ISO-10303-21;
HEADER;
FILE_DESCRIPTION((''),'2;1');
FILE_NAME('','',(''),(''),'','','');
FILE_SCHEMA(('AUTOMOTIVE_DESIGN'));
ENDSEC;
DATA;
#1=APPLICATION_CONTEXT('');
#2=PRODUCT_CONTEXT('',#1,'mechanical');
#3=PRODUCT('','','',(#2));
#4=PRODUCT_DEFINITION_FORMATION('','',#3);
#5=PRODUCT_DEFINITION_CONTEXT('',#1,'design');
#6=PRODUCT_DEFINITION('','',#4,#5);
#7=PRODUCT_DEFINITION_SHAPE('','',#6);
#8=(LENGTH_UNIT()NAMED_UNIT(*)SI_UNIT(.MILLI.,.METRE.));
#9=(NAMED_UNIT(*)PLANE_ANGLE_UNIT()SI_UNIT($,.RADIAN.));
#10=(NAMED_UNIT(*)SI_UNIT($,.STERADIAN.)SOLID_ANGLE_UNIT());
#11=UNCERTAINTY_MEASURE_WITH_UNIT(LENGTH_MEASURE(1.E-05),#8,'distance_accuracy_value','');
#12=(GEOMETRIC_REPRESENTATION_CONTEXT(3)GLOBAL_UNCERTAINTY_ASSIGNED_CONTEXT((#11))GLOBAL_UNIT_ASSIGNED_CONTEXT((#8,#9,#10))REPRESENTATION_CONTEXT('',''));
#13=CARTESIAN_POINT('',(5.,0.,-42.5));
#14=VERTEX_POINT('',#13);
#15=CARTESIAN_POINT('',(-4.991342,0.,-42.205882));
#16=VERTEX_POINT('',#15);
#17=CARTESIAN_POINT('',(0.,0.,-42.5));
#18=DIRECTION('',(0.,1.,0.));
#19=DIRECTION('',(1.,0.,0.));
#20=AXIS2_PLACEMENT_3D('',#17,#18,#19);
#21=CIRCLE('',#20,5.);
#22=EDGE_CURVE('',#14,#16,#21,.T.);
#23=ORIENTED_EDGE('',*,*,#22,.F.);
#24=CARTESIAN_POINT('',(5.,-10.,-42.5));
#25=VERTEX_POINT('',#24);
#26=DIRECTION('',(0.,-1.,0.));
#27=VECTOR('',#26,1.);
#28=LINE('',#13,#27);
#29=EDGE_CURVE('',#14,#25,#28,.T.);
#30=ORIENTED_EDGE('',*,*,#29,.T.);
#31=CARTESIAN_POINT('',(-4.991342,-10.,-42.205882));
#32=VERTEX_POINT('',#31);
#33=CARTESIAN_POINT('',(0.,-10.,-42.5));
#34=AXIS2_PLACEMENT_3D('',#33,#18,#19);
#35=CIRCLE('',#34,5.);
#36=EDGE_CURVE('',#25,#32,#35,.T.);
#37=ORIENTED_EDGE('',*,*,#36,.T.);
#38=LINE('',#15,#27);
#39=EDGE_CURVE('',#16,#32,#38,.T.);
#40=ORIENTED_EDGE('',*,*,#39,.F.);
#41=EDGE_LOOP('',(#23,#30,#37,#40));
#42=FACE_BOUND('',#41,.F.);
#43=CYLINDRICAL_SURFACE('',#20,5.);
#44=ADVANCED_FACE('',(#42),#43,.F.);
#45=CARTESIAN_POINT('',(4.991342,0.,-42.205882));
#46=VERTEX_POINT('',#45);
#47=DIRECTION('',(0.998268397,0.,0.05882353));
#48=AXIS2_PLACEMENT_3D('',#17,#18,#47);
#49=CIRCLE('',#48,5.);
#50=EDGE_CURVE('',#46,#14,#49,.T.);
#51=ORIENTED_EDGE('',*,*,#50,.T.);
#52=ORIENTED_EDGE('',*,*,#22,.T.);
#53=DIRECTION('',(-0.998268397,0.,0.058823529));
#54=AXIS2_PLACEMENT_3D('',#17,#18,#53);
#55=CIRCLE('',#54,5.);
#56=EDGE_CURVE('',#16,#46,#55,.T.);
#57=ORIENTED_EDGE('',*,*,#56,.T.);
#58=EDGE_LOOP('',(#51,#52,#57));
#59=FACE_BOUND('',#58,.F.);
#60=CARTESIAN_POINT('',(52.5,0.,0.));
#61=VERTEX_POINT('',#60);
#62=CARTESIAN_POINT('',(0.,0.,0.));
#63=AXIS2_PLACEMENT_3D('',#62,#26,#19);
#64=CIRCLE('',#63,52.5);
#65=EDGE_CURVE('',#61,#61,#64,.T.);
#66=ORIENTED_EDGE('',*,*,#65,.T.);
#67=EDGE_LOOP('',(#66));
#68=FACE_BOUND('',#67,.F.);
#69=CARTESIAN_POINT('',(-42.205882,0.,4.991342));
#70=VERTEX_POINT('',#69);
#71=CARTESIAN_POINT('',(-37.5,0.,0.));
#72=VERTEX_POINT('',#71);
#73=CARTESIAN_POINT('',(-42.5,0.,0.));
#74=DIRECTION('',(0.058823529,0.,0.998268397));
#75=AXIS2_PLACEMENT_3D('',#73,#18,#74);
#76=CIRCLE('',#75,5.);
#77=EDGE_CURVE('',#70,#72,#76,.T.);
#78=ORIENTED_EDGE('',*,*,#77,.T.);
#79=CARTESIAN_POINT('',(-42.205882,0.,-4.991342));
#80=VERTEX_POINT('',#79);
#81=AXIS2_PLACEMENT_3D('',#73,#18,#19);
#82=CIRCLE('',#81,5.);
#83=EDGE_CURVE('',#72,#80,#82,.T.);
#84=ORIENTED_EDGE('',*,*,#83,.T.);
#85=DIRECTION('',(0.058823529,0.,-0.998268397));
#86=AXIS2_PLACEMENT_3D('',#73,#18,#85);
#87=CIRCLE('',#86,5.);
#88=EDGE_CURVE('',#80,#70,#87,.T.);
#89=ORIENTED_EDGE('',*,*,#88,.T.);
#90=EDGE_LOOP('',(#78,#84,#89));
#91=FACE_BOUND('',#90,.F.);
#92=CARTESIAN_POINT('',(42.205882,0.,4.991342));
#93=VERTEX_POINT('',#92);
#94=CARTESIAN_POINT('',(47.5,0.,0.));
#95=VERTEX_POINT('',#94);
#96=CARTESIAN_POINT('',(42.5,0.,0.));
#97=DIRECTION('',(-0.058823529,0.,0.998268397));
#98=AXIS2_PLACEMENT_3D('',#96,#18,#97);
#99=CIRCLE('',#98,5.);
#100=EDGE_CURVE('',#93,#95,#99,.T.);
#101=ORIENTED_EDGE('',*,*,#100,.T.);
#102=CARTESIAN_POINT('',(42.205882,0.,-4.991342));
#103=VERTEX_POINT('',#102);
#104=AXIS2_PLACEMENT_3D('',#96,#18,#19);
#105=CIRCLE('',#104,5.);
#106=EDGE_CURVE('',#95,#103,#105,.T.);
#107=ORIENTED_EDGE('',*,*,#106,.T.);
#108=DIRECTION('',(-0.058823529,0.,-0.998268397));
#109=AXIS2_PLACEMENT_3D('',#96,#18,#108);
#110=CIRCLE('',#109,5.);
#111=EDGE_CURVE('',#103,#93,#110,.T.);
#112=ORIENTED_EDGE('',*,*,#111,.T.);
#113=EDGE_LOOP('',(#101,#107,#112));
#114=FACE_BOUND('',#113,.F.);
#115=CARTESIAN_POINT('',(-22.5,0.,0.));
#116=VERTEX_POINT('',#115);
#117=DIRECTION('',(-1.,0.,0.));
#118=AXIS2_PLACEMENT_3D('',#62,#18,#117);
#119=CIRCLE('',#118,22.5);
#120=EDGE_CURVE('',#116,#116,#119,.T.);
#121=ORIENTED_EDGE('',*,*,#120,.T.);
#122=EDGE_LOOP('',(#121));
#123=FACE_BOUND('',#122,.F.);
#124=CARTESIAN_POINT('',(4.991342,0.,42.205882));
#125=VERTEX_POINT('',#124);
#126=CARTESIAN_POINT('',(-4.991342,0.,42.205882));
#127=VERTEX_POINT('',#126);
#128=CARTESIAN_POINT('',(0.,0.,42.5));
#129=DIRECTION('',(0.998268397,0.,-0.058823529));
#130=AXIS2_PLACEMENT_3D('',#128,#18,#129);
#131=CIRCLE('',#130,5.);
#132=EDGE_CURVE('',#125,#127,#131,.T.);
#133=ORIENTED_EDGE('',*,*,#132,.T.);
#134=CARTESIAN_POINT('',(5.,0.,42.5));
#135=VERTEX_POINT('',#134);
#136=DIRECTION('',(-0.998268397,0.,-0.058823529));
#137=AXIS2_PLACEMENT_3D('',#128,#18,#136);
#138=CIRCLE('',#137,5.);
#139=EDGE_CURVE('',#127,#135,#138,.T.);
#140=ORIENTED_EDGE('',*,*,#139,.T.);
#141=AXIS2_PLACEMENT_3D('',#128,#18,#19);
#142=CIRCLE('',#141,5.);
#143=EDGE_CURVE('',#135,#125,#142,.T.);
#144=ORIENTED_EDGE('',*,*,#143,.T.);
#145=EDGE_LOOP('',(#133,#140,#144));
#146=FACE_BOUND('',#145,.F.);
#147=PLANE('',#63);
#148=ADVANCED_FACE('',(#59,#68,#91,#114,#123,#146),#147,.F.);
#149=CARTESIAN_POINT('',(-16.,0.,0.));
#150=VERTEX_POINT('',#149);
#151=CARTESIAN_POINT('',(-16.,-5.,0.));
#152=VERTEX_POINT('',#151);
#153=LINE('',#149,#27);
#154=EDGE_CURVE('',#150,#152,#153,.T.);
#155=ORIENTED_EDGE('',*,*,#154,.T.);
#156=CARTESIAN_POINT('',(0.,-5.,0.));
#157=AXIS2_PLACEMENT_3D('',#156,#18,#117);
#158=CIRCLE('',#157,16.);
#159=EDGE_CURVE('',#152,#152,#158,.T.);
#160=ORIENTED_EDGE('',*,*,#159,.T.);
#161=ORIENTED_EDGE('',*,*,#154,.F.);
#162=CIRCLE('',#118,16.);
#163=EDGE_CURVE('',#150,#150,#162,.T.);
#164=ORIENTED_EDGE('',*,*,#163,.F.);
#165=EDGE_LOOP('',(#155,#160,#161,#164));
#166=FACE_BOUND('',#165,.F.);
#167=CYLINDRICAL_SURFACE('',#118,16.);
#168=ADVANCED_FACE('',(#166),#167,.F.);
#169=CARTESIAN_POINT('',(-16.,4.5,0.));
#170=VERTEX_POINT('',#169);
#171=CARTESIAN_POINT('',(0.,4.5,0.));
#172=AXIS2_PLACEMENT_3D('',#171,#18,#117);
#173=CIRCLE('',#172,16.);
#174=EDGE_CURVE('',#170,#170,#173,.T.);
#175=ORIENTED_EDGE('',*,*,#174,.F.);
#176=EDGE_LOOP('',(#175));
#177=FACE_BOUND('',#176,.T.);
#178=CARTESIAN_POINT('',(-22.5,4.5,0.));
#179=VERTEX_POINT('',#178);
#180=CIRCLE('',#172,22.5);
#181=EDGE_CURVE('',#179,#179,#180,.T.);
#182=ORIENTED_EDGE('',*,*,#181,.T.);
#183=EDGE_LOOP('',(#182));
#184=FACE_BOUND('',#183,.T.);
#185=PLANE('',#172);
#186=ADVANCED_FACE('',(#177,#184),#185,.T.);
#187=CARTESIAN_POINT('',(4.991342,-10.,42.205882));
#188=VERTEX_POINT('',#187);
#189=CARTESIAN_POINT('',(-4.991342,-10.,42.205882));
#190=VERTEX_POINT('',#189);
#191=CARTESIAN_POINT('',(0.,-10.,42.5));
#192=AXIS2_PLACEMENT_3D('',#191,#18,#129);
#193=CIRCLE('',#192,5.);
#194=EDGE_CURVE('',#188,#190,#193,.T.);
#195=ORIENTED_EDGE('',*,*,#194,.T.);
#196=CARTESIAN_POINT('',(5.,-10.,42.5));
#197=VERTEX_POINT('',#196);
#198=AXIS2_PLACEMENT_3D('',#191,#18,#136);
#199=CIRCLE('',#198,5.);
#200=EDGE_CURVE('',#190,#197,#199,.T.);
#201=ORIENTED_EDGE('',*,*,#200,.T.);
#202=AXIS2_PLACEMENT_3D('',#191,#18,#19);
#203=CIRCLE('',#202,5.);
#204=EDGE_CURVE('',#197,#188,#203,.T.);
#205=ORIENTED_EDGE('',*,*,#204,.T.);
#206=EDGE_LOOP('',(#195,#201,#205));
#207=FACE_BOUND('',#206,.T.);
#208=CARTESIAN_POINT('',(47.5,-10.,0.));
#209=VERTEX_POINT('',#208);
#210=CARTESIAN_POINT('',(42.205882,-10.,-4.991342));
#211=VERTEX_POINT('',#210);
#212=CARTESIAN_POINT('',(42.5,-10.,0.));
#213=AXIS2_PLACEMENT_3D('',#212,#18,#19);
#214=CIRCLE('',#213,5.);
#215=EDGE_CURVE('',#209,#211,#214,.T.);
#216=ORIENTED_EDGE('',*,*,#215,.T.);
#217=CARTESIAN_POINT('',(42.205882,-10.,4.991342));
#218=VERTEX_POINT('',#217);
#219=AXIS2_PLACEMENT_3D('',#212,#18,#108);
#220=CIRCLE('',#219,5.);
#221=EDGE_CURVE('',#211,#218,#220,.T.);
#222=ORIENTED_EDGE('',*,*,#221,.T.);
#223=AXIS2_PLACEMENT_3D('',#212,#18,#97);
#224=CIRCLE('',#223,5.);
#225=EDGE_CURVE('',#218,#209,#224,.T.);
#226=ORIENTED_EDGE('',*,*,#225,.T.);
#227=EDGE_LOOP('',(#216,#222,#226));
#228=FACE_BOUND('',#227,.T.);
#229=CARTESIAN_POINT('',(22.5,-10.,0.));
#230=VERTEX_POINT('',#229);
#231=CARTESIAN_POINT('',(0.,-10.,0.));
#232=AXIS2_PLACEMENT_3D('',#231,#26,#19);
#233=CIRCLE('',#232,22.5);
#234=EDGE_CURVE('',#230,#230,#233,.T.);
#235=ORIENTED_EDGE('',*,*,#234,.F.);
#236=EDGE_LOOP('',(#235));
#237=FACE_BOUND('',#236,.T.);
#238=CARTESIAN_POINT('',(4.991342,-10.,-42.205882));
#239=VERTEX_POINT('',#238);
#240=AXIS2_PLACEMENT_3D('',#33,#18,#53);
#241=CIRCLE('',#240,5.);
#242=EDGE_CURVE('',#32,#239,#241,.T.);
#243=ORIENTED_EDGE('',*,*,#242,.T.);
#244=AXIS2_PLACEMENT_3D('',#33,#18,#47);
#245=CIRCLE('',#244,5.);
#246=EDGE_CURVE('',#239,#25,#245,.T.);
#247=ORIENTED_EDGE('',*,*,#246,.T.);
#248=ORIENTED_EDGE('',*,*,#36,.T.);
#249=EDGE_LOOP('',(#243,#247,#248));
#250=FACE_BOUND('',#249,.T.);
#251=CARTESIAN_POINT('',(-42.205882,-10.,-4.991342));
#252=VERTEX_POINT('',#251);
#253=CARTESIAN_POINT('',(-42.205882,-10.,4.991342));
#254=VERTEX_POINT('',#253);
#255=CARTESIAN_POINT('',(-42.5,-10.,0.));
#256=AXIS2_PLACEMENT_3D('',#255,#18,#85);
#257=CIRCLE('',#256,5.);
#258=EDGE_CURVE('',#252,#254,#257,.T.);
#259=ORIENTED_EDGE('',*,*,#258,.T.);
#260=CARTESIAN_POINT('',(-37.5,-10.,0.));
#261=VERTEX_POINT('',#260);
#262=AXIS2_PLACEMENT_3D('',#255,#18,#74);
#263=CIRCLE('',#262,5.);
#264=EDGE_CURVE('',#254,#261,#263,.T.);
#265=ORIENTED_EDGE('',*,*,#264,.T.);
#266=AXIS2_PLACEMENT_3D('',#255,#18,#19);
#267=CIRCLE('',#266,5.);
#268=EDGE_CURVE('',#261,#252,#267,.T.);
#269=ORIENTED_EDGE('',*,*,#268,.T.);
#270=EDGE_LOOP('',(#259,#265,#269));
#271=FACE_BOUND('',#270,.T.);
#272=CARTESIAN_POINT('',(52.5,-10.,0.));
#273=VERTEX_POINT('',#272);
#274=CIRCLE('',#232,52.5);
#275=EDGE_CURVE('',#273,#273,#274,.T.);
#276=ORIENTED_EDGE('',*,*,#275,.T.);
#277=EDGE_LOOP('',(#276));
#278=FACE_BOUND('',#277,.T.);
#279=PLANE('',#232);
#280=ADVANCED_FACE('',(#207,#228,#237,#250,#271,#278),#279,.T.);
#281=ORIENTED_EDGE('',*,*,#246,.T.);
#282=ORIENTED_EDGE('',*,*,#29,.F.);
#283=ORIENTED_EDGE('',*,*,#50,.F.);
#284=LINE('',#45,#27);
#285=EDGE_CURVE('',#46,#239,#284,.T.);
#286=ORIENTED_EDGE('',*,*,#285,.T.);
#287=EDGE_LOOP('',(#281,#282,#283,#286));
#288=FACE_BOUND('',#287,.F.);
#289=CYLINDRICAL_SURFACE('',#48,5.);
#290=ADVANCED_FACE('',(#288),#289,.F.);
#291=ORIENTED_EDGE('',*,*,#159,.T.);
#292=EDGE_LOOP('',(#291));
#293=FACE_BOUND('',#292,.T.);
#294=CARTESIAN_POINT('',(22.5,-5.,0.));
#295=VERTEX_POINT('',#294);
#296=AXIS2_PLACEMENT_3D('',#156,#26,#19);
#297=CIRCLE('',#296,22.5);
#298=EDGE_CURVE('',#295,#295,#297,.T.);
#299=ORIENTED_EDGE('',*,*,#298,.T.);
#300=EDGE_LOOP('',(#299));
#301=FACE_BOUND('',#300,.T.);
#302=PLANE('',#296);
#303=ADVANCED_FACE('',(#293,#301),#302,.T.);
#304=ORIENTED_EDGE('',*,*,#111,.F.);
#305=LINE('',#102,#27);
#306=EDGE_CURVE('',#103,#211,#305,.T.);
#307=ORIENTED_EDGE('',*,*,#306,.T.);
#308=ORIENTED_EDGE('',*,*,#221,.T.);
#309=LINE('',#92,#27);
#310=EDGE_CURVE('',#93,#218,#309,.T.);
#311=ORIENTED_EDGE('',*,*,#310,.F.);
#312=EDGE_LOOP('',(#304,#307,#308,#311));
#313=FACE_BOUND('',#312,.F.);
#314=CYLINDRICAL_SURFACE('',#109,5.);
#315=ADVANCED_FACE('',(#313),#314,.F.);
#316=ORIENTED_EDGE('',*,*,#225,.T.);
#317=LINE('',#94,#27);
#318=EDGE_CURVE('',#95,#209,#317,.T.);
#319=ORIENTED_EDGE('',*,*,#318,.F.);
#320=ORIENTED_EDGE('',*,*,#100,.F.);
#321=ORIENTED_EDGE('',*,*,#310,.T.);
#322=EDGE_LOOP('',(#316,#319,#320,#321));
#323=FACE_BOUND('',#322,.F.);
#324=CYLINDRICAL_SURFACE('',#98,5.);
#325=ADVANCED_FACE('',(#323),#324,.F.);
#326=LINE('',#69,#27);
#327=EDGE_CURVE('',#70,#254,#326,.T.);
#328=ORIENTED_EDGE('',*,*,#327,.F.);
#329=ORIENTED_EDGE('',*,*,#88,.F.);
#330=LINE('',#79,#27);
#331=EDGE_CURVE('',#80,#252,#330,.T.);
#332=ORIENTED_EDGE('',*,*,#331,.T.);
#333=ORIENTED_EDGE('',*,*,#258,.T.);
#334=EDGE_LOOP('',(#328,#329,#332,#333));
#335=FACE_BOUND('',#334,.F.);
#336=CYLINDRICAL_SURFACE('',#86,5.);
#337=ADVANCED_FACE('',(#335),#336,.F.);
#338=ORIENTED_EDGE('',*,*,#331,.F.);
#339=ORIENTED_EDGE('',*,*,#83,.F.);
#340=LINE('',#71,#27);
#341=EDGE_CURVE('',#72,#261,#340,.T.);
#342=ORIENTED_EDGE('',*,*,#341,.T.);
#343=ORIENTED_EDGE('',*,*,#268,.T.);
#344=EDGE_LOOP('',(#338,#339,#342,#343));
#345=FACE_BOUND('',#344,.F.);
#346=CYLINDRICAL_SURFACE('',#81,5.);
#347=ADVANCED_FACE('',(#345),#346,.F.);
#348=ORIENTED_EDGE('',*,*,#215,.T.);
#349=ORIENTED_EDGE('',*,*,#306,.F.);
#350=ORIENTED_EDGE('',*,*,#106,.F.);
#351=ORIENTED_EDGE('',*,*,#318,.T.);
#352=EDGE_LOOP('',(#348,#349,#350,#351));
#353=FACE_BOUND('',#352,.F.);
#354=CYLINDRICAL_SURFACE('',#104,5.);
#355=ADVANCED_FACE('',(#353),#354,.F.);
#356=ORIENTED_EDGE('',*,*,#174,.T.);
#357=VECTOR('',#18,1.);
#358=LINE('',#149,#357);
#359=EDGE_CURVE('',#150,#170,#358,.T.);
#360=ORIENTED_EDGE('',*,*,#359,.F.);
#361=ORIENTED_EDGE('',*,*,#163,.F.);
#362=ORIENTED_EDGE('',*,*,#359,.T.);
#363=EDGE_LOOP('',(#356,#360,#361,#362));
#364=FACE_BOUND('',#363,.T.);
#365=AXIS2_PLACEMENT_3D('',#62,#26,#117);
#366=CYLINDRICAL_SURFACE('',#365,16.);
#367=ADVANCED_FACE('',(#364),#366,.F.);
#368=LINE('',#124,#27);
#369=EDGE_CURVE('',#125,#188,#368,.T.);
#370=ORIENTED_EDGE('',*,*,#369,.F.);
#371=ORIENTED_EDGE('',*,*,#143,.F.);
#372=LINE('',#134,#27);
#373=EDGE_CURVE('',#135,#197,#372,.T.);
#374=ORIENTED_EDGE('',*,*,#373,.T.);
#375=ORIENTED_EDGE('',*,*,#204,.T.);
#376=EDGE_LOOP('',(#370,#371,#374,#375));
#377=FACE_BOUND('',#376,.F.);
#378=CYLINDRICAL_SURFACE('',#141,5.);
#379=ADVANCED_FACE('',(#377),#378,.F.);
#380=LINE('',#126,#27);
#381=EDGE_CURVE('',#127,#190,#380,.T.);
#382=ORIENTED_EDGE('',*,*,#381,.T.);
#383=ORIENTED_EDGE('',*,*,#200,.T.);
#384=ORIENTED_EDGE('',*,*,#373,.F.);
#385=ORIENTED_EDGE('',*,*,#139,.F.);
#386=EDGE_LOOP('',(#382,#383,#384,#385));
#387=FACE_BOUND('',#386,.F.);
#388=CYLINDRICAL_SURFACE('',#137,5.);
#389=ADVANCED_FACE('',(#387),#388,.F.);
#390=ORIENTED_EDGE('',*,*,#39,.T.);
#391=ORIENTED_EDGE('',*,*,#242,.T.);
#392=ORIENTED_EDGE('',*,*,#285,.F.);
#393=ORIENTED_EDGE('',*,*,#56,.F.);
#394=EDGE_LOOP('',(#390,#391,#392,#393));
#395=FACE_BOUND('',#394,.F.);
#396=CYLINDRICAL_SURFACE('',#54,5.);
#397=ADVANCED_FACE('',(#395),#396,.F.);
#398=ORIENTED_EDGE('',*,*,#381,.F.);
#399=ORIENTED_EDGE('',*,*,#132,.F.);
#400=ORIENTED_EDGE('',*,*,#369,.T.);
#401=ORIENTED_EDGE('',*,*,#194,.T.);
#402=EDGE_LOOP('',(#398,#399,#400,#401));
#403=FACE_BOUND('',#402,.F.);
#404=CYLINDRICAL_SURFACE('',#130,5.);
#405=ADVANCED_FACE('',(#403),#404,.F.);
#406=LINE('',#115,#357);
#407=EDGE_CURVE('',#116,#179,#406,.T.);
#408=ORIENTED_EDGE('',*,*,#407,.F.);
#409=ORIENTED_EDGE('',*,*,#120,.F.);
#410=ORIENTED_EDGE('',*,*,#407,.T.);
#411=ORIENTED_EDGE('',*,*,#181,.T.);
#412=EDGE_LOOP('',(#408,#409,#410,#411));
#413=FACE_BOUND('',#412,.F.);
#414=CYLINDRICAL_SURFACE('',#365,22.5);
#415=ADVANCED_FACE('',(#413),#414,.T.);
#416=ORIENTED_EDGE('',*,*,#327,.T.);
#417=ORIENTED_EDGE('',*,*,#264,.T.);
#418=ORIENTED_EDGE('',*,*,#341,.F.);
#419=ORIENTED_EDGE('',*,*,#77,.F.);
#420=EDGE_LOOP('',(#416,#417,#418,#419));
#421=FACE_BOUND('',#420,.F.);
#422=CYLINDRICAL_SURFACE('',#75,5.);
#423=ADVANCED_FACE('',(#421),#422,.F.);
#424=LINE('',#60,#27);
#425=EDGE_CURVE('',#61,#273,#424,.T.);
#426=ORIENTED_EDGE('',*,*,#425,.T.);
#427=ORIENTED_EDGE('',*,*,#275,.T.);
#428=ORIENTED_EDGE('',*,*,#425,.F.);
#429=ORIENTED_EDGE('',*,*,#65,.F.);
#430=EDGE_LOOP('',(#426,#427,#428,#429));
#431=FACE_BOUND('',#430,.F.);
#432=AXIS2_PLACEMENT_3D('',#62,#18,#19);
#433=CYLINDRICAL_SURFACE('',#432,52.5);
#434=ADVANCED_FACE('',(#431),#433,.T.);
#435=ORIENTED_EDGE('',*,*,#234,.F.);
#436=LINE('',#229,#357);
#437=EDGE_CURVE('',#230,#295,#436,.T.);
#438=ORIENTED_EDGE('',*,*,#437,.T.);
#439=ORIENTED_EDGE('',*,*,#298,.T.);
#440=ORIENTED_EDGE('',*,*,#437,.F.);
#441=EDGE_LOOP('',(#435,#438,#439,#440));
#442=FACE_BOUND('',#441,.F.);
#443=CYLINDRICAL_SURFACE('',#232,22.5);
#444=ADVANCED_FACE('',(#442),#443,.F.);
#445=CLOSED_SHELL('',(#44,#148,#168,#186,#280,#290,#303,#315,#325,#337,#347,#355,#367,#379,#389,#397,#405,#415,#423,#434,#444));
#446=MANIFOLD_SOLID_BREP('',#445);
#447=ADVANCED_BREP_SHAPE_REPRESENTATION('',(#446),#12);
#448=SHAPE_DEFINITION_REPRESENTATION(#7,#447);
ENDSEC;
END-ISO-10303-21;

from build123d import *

# Parameters (mm, degrees)
F0_R     = 52.5
F1_DEPTH = 10
F2_R     = 22.5
F2_R_2   = 16
F3_DEPTH = 5
F4_R     = 22.5
F4_R_2   = 16
F5_DEPTH = 4.5
F6_R     = 16
F7_DEPTH = 25


with BuildPart() as f1:
    # F0 (on Front) → F1 (new body)
    with BuildSketch(Plane.XZ):
        Circle(F0_R)
        with BuildLine():
            ThreePointArc((4.9913419848, 42.2058823529), (30.0520382004, 30.0520382004), (42.2058823529, 4.9913419848))
            ThreePointArc((42.2058823529, 4.9913419848), (45.9299717029, 3.6380343755), (47.5, 0))
            ThreePointArc((47.5, 0), (45.9299717029, -3.6380343755), (42.2058823529, -4.9913419848))
            ThreePointArc((42.2058823529, -4.9913419848), (30.0520382004, -30.0520382004), (4.9913419848, -42.2058823529))
            ThreePointArc((4.9913419848, -42.2058823529), (4.9978350275, -42.3528774732), (5, -42.5))
            ThreePointArc((5, -42.5), (-0.1471225268, -47.4978350275), (-4.9913419848, -42.2058823529))
            ThreePointArc((-4.9913419848, -42.2058823529), (-30.0520382004, -30.0520382004), (-42.2058823529, -4.9913419848))
            ThreePointArc((-42.2058823529, -4.9913419848), (-47.5, 0), (-42.2058823529, 4.9913419848))
            ThreePointArc((-42.2058823529, 4.9913419848), (-30.0520382004, 30.0520382004), (-4.9913419848, 42.2058823529))
            ThreePointArc((-4.9913419848, 42.2058823529), (-0.1471225268, 47.4978350275), (5, 42.5))
            ThreePointArc((5, 42.5), (4.9978350275, 42.3528774732), (4.9913419848, 42.2058823529))
        make_face(mode=Mode.SUBTRACT)
        with BuildLine():
            ThreePointArc((42.2058823529, -4.9913419848), (37.5, 0), (42.2058823529, 4.9913419848))
            ThreePointArc((42.2058823529, 4.9913419848), (30.0520382004, 30.0520382004), (4.9913419848, 42.2058823529))
            ThreePointArc((4.9913419848, 42.2058823529), (0, 37.5), (-4.9913419848, 42.2058823529))
            ThreePointArc((-4.9913419848, 42.2058823529), (-30.0520382004, 30.0520382004), (-42.2058823529, 4.9913419848))
            ThreePointArc((-42.2058823529, 4.9913419848), (-38.8619656245, 3.4299717029), (-37.5, 0))
            ThreePointArc((-37.5, 0), (-38.8619656245, -3.4299717029), (-42.2058823529, -4.9913419848))
            ThreePointArc((-42.2058823529, -4.9913419848), (-30.0520382004, -30.0520382004), (-4.9913419848, -42.2058823529))
            ThreePointArc((-4.9913419848, -42.2058823529), (0, -37.5), (4.9913419848, -42.2058823529))
            ThreePointArc((4.9913419848, -42.2058823529), (30.0520382004, -30.0520382004), (42.2058823529, -4.9913419848))
        make_face()
    extrude(amount=F1_DEPTH)

    # F2 (on face) → F3 (cut)
    with BuildSketch(Plane.XZ.offset(10)):
        Circle(F2_R)
        Circle(F2_R_2, mode=Mode.SUBTRACT)
        Circle(F2_R_2)
    extrude(amount=-F3_DEPTH, mode=Mode.SUBTRACT)

    # F4 (on face) → F5 (join)
    with BuildSketch(Plane(origin=(0, 0, 0), x_dir=(-1, 0, 0), z_dir=(0, 1, 0))):
        Circle(F4_R)
        Circle(F4_R_2, mode=Mode.SUBTRACT)
    extrude(amount=F5_DEPTH)

    # F6 (on face) → F7 (cut)
    with BuildSketch(Plane(origin=(0, 0, 0), x_dir=(-1, 0, 0), z_dir=(0, 1, 0))):
        Circle(F6_R)
    extrude(amount=-F7_DEPTH, mode=Mode.SUBTRACT)


solid = f1.part
